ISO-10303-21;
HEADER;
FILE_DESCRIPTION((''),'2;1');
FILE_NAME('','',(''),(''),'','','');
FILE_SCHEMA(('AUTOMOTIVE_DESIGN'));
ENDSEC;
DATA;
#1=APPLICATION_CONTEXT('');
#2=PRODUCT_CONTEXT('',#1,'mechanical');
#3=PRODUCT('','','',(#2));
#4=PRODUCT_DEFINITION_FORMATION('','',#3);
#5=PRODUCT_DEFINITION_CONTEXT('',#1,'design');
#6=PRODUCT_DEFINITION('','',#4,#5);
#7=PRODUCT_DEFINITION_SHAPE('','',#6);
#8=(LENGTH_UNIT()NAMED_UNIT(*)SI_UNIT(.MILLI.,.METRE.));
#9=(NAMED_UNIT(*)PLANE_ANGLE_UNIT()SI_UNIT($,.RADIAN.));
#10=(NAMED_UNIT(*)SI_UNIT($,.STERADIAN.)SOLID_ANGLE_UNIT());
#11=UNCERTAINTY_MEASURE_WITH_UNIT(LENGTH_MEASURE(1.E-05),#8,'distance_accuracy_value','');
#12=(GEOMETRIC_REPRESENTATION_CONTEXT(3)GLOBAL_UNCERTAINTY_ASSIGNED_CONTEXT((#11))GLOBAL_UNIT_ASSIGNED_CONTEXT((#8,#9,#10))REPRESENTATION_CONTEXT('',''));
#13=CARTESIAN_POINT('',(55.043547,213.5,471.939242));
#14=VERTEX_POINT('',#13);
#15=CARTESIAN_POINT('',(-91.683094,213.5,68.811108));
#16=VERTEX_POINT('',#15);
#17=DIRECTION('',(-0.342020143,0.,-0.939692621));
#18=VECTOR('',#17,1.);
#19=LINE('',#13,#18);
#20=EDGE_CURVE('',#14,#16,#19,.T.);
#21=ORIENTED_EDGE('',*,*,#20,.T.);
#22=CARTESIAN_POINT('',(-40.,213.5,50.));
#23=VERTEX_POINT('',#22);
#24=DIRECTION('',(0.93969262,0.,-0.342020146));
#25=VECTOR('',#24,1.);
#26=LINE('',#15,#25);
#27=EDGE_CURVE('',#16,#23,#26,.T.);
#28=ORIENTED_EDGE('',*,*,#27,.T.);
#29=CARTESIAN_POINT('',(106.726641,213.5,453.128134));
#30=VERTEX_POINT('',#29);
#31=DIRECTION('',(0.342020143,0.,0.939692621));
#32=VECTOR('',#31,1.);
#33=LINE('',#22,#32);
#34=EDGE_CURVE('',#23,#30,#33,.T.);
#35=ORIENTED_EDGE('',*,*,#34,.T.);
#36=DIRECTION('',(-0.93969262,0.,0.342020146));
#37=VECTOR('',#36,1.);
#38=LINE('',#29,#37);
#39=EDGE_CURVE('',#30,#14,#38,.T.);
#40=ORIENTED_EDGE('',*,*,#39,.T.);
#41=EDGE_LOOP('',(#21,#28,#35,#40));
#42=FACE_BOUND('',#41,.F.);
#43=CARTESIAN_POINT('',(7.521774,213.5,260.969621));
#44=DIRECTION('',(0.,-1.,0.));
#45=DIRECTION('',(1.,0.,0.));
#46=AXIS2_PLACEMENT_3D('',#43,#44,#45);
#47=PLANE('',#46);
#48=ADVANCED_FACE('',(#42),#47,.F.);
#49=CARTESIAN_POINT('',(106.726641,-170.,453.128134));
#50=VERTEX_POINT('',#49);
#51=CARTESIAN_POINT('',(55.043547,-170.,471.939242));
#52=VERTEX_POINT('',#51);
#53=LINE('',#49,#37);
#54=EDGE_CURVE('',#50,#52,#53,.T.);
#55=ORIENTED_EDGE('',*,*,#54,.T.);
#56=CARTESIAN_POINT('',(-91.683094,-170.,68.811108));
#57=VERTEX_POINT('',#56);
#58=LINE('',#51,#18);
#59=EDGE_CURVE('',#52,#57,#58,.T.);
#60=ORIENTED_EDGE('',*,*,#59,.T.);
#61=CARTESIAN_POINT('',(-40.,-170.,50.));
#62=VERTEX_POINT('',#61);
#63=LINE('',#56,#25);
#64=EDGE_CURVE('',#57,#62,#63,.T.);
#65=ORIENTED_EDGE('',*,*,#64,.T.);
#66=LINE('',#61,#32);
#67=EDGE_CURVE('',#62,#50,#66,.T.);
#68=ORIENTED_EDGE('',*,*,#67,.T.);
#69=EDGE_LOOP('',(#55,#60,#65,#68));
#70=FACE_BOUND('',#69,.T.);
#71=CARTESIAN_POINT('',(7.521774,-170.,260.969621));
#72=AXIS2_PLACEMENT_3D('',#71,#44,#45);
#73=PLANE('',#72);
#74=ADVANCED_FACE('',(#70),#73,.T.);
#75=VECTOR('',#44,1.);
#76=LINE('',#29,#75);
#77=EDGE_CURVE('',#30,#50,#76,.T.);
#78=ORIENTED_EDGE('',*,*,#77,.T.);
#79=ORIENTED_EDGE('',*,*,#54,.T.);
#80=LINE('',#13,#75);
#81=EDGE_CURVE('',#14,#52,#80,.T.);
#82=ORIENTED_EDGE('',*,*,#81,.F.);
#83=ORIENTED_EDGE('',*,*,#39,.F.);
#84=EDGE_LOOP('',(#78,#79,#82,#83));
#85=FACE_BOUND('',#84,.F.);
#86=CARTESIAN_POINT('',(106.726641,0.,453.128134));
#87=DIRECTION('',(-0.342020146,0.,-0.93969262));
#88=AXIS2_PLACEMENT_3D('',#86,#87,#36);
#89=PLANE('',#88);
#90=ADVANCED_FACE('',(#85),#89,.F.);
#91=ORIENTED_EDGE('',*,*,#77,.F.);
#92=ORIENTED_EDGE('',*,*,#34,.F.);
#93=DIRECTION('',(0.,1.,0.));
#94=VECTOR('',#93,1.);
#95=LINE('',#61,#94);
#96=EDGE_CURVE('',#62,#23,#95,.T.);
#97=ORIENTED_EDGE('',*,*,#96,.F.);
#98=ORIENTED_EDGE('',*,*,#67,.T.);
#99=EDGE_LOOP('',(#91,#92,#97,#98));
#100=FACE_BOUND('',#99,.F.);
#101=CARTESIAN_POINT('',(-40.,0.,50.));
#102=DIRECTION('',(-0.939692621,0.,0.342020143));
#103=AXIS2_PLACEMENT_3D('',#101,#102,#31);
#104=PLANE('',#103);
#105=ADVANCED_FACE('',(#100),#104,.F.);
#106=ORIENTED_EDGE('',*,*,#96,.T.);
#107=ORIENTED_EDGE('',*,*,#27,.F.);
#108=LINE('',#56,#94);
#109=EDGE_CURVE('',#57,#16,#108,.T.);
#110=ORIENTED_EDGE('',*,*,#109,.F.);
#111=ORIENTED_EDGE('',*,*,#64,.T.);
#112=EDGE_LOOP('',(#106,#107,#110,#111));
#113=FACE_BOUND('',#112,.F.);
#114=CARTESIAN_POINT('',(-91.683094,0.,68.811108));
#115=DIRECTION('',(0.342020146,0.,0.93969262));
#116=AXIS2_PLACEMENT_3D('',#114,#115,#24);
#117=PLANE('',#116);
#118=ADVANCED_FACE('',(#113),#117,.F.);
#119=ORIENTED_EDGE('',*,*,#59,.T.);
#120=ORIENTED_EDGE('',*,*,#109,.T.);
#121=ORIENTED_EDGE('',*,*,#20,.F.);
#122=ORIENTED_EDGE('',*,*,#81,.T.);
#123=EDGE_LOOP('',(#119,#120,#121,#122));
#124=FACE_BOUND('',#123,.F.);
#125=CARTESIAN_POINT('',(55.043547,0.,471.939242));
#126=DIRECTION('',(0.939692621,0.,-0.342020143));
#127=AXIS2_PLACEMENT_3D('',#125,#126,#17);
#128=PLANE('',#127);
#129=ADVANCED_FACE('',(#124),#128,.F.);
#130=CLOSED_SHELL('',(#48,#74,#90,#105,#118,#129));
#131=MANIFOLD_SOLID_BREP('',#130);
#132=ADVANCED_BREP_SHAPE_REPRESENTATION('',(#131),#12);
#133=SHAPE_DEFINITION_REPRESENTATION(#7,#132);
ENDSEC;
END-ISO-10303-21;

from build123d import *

# Parameters (mm, degrees)
PAD002_DEPTH      = 213.5
PAD002_DEPTH_BACK = 170


with BuildPart() as part:
    # Sketch002 → Pad002 (new body, two sides)
    with BuildSketch(Plane(origin=(0, 0, 0), x_dir=(-1, 0, 0), z_dir=(0, 1, 0))) as pad002_sk:
        Polygon((40, 50), (-106.726641, 453.128134), (-55.043547, 471.939242), (91.683094, 68.811108), align=None)
    extrude(amount=PAD002_DEPTH)
    extrude(pad002_sk.sketch, amount=-PAD002_DEPTH_BACK)


solid = part.part
